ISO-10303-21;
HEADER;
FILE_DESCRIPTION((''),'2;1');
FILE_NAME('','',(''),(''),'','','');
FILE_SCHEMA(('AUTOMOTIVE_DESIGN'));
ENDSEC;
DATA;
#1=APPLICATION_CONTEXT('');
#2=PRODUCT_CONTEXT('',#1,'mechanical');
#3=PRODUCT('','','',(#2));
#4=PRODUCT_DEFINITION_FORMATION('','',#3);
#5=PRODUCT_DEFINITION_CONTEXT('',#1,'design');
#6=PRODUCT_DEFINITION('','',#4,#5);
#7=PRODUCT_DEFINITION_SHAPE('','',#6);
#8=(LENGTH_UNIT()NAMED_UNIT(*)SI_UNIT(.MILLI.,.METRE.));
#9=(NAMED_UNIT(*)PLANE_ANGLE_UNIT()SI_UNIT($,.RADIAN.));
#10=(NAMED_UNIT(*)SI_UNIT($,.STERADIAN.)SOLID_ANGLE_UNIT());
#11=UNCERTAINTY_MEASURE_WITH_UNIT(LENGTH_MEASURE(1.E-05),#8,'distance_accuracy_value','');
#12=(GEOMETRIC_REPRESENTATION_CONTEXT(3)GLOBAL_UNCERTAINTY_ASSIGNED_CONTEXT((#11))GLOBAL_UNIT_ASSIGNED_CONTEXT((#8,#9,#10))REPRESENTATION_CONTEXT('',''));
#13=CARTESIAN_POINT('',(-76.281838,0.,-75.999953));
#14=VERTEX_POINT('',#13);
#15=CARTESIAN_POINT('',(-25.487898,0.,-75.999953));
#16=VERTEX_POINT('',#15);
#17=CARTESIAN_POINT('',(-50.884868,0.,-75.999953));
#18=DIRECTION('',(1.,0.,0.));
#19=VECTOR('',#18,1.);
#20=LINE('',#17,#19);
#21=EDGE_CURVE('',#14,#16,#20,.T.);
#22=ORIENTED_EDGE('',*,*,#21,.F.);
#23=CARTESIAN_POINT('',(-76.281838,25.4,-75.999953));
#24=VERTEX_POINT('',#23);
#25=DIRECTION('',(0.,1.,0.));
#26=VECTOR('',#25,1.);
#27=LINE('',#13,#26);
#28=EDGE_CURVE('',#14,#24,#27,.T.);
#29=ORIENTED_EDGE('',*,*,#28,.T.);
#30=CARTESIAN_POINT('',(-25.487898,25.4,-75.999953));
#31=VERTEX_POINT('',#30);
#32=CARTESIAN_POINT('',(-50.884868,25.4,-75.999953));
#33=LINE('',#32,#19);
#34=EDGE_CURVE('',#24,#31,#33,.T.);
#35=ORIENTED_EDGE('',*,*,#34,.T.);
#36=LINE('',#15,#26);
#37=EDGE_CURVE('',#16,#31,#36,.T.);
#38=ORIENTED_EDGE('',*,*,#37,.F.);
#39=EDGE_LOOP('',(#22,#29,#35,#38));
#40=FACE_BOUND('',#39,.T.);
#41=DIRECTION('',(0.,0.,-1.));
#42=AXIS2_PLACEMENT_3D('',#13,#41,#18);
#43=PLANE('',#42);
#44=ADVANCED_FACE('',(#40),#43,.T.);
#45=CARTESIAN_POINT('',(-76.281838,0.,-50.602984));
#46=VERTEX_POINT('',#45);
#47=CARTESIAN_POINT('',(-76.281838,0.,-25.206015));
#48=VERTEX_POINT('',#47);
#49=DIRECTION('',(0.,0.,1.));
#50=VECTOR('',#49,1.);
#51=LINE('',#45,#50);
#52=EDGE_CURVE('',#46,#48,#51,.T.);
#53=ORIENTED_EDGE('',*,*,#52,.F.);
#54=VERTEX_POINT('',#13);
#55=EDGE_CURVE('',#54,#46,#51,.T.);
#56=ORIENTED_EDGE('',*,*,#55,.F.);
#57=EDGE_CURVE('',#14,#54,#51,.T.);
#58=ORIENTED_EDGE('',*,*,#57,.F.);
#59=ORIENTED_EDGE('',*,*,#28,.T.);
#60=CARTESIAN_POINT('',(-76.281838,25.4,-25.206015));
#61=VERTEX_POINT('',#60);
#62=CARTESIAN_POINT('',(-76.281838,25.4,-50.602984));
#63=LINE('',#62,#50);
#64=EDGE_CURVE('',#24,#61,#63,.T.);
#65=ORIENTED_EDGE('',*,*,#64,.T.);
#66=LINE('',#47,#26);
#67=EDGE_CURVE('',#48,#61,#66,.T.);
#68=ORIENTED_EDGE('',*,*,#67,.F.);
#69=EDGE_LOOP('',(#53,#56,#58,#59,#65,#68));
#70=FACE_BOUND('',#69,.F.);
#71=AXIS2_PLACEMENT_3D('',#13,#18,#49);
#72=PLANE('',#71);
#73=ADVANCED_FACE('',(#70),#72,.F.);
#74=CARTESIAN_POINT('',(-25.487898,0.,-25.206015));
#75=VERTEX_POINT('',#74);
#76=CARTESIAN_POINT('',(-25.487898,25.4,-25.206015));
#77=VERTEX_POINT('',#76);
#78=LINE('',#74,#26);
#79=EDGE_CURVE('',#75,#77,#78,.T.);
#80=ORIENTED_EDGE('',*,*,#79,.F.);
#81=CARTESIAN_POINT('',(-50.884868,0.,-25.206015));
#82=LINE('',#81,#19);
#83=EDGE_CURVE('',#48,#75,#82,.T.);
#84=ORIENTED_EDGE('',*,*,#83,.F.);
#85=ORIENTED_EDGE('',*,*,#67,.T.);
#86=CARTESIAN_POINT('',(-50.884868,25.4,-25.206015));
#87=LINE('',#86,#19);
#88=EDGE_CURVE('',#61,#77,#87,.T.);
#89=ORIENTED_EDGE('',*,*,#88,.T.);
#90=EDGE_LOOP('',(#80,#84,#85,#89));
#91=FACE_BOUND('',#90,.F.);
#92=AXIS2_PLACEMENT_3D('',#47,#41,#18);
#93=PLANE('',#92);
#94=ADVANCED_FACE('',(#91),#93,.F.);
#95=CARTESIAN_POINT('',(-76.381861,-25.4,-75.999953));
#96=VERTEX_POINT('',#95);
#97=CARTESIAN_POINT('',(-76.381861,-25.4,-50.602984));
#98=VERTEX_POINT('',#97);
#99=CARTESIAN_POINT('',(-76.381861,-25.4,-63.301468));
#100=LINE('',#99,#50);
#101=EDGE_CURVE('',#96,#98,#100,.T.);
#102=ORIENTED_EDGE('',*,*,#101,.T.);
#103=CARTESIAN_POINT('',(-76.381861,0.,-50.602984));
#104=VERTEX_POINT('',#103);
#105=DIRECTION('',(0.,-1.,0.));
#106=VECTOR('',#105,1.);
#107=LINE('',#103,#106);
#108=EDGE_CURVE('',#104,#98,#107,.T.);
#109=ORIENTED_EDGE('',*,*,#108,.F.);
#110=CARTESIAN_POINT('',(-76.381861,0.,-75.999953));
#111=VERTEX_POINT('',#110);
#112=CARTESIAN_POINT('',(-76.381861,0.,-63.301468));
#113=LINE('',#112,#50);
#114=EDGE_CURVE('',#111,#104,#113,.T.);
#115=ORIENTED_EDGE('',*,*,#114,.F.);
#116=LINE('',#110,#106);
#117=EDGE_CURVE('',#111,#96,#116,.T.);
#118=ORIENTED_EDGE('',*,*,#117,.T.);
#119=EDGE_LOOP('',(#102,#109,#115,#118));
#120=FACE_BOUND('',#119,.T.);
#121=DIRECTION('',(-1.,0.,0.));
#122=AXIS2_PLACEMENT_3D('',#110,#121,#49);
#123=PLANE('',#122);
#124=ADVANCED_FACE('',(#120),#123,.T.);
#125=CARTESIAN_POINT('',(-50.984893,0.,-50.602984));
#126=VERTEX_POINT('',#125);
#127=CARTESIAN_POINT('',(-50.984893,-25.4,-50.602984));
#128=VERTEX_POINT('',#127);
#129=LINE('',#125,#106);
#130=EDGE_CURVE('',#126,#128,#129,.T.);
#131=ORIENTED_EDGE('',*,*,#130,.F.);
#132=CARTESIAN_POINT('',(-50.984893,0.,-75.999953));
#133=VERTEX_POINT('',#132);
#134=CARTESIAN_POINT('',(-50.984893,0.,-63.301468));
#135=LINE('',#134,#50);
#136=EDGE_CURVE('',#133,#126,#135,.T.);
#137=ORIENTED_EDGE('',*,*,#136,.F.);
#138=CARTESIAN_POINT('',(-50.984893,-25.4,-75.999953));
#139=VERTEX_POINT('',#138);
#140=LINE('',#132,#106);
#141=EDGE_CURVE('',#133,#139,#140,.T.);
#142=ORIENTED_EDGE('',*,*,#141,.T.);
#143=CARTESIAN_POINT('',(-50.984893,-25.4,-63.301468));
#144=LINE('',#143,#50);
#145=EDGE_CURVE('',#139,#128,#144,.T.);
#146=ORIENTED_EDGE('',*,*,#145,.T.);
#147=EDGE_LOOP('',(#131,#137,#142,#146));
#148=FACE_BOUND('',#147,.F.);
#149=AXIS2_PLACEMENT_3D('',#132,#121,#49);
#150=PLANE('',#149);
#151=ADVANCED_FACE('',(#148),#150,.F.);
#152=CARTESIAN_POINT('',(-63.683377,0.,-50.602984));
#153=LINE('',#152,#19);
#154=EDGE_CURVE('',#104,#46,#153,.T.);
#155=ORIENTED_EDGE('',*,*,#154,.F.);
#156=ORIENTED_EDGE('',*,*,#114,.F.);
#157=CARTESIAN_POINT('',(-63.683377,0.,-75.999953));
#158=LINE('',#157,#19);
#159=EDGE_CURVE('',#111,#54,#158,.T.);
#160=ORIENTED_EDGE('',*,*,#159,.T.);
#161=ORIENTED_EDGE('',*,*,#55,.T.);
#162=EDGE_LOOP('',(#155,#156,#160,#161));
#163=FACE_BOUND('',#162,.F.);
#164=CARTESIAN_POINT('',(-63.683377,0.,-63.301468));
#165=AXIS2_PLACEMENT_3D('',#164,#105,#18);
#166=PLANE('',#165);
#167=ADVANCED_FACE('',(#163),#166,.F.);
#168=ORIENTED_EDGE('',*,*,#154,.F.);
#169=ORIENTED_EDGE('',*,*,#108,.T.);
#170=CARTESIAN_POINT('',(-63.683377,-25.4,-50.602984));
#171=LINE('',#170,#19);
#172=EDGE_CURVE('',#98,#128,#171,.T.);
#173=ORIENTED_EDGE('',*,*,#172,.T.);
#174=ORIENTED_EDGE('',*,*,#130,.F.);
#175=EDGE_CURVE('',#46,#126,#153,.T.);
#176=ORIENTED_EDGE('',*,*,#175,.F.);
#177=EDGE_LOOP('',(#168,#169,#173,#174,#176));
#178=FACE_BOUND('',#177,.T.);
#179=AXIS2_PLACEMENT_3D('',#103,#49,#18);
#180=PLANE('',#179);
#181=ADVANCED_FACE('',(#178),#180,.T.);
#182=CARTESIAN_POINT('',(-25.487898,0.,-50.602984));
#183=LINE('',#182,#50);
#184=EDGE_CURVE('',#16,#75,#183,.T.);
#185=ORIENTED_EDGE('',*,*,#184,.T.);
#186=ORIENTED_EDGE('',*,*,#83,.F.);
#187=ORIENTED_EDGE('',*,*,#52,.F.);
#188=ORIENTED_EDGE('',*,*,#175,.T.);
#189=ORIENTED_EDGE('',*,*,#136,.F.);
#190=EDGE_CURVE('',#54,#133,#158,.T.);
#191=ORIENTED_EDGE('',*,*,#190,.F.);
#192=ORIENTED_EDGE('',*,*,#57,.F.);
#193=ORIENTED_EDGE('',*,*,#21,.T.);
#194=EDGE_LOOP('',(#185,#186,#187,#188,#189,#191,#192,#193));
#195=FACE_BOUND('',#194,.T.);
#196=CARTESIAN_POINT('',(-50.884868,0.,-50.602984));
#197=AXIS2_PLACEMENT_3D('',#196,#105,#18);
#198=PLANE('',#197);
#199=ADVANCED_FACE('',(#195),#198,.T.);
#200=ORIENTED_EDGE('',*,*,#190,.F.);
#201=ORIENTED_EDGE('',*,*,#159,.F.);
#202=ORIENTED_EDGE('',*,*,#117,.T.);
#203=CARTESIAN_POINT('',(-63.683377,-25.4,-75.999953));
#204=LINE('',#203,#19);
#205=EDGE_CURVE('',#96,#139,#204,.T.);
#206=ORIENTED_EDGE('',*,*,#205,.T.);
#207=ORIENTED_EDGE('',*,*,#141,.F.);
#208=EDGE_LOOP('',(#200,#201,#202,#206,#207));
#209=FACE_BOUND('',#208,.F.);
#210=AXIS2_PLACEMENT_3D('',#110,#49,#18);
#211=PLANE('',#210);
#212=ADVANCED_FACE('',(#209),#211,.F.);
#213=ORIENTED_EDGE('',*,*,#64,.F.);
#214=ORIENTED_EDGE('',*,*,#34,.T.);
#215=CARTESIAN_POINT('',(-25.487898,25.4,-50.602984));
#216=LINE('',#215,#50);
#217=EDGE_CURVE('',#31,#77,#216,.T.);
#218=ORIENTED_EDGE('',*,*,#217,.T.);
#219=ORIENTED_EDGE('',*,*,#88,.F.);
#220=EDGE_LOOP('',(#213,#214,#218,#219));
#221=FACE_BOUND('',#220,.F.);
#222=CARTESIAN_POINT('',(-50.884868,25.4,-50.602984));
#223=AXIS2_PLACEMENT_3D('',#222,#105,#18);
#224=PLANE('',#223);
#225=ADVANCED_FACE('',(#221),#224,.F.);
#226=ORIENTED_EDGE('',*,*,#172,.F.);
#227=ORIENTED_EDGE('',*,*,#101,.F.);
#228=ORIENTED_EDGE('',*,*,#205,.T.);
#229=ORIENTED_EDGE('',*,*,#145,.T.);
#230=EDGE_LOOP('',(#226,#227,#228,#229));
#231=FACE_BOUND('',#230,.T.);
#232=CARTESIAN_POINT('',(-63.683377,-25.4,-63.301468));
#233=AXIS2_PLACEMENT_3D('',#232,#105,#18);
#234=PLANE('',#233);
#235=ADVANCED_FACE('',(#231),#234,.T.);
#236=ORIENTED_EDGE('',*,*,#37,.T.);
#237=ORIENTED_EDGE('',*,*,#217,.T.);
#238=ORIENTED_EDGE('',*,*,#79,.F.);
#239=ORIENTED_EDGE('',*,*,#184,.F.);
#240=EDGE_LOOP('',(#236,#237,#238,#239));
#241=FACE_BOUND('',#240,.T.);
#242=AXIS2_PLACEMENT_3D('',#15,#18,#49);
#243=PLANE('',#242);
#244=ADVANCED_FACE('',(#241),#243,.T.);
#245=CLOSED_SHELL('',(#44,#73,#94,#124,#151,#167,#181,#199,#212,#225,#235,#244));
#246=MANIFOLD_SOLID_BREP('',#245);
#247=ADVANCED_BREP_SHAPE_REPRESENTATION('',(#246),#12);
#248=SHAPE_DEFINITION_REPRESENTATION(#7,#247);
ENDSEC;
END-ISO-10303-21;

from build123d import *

# Parameters (mm, degrees)
F1_W     = 50.79394
F1_H     = 50.793938
F2_DEPTH = 25.4
F0_W     = 25.396969
F0_H     = 25.396969
F3_DEPTH = 25.4


with BuildPart() as f2:
    # F1 (on Front) → F2 (new body)
    with BuildSketch(Plane.XZ):
        with Locations((-50.884868, -50.602984)):
            Rectangle(F1_W, F1_H)
    extrude(amount=-F2_DEPTH)

    # F0 (on Front) → F3 (join)
    with BuildSketch(Plane.XZ):
        with Locations((-63.683377, -63.301468)):
            Rectangle(F0_W, F0_H)
    extrude(amount=F3_DEPTH)


solid = f2.part
